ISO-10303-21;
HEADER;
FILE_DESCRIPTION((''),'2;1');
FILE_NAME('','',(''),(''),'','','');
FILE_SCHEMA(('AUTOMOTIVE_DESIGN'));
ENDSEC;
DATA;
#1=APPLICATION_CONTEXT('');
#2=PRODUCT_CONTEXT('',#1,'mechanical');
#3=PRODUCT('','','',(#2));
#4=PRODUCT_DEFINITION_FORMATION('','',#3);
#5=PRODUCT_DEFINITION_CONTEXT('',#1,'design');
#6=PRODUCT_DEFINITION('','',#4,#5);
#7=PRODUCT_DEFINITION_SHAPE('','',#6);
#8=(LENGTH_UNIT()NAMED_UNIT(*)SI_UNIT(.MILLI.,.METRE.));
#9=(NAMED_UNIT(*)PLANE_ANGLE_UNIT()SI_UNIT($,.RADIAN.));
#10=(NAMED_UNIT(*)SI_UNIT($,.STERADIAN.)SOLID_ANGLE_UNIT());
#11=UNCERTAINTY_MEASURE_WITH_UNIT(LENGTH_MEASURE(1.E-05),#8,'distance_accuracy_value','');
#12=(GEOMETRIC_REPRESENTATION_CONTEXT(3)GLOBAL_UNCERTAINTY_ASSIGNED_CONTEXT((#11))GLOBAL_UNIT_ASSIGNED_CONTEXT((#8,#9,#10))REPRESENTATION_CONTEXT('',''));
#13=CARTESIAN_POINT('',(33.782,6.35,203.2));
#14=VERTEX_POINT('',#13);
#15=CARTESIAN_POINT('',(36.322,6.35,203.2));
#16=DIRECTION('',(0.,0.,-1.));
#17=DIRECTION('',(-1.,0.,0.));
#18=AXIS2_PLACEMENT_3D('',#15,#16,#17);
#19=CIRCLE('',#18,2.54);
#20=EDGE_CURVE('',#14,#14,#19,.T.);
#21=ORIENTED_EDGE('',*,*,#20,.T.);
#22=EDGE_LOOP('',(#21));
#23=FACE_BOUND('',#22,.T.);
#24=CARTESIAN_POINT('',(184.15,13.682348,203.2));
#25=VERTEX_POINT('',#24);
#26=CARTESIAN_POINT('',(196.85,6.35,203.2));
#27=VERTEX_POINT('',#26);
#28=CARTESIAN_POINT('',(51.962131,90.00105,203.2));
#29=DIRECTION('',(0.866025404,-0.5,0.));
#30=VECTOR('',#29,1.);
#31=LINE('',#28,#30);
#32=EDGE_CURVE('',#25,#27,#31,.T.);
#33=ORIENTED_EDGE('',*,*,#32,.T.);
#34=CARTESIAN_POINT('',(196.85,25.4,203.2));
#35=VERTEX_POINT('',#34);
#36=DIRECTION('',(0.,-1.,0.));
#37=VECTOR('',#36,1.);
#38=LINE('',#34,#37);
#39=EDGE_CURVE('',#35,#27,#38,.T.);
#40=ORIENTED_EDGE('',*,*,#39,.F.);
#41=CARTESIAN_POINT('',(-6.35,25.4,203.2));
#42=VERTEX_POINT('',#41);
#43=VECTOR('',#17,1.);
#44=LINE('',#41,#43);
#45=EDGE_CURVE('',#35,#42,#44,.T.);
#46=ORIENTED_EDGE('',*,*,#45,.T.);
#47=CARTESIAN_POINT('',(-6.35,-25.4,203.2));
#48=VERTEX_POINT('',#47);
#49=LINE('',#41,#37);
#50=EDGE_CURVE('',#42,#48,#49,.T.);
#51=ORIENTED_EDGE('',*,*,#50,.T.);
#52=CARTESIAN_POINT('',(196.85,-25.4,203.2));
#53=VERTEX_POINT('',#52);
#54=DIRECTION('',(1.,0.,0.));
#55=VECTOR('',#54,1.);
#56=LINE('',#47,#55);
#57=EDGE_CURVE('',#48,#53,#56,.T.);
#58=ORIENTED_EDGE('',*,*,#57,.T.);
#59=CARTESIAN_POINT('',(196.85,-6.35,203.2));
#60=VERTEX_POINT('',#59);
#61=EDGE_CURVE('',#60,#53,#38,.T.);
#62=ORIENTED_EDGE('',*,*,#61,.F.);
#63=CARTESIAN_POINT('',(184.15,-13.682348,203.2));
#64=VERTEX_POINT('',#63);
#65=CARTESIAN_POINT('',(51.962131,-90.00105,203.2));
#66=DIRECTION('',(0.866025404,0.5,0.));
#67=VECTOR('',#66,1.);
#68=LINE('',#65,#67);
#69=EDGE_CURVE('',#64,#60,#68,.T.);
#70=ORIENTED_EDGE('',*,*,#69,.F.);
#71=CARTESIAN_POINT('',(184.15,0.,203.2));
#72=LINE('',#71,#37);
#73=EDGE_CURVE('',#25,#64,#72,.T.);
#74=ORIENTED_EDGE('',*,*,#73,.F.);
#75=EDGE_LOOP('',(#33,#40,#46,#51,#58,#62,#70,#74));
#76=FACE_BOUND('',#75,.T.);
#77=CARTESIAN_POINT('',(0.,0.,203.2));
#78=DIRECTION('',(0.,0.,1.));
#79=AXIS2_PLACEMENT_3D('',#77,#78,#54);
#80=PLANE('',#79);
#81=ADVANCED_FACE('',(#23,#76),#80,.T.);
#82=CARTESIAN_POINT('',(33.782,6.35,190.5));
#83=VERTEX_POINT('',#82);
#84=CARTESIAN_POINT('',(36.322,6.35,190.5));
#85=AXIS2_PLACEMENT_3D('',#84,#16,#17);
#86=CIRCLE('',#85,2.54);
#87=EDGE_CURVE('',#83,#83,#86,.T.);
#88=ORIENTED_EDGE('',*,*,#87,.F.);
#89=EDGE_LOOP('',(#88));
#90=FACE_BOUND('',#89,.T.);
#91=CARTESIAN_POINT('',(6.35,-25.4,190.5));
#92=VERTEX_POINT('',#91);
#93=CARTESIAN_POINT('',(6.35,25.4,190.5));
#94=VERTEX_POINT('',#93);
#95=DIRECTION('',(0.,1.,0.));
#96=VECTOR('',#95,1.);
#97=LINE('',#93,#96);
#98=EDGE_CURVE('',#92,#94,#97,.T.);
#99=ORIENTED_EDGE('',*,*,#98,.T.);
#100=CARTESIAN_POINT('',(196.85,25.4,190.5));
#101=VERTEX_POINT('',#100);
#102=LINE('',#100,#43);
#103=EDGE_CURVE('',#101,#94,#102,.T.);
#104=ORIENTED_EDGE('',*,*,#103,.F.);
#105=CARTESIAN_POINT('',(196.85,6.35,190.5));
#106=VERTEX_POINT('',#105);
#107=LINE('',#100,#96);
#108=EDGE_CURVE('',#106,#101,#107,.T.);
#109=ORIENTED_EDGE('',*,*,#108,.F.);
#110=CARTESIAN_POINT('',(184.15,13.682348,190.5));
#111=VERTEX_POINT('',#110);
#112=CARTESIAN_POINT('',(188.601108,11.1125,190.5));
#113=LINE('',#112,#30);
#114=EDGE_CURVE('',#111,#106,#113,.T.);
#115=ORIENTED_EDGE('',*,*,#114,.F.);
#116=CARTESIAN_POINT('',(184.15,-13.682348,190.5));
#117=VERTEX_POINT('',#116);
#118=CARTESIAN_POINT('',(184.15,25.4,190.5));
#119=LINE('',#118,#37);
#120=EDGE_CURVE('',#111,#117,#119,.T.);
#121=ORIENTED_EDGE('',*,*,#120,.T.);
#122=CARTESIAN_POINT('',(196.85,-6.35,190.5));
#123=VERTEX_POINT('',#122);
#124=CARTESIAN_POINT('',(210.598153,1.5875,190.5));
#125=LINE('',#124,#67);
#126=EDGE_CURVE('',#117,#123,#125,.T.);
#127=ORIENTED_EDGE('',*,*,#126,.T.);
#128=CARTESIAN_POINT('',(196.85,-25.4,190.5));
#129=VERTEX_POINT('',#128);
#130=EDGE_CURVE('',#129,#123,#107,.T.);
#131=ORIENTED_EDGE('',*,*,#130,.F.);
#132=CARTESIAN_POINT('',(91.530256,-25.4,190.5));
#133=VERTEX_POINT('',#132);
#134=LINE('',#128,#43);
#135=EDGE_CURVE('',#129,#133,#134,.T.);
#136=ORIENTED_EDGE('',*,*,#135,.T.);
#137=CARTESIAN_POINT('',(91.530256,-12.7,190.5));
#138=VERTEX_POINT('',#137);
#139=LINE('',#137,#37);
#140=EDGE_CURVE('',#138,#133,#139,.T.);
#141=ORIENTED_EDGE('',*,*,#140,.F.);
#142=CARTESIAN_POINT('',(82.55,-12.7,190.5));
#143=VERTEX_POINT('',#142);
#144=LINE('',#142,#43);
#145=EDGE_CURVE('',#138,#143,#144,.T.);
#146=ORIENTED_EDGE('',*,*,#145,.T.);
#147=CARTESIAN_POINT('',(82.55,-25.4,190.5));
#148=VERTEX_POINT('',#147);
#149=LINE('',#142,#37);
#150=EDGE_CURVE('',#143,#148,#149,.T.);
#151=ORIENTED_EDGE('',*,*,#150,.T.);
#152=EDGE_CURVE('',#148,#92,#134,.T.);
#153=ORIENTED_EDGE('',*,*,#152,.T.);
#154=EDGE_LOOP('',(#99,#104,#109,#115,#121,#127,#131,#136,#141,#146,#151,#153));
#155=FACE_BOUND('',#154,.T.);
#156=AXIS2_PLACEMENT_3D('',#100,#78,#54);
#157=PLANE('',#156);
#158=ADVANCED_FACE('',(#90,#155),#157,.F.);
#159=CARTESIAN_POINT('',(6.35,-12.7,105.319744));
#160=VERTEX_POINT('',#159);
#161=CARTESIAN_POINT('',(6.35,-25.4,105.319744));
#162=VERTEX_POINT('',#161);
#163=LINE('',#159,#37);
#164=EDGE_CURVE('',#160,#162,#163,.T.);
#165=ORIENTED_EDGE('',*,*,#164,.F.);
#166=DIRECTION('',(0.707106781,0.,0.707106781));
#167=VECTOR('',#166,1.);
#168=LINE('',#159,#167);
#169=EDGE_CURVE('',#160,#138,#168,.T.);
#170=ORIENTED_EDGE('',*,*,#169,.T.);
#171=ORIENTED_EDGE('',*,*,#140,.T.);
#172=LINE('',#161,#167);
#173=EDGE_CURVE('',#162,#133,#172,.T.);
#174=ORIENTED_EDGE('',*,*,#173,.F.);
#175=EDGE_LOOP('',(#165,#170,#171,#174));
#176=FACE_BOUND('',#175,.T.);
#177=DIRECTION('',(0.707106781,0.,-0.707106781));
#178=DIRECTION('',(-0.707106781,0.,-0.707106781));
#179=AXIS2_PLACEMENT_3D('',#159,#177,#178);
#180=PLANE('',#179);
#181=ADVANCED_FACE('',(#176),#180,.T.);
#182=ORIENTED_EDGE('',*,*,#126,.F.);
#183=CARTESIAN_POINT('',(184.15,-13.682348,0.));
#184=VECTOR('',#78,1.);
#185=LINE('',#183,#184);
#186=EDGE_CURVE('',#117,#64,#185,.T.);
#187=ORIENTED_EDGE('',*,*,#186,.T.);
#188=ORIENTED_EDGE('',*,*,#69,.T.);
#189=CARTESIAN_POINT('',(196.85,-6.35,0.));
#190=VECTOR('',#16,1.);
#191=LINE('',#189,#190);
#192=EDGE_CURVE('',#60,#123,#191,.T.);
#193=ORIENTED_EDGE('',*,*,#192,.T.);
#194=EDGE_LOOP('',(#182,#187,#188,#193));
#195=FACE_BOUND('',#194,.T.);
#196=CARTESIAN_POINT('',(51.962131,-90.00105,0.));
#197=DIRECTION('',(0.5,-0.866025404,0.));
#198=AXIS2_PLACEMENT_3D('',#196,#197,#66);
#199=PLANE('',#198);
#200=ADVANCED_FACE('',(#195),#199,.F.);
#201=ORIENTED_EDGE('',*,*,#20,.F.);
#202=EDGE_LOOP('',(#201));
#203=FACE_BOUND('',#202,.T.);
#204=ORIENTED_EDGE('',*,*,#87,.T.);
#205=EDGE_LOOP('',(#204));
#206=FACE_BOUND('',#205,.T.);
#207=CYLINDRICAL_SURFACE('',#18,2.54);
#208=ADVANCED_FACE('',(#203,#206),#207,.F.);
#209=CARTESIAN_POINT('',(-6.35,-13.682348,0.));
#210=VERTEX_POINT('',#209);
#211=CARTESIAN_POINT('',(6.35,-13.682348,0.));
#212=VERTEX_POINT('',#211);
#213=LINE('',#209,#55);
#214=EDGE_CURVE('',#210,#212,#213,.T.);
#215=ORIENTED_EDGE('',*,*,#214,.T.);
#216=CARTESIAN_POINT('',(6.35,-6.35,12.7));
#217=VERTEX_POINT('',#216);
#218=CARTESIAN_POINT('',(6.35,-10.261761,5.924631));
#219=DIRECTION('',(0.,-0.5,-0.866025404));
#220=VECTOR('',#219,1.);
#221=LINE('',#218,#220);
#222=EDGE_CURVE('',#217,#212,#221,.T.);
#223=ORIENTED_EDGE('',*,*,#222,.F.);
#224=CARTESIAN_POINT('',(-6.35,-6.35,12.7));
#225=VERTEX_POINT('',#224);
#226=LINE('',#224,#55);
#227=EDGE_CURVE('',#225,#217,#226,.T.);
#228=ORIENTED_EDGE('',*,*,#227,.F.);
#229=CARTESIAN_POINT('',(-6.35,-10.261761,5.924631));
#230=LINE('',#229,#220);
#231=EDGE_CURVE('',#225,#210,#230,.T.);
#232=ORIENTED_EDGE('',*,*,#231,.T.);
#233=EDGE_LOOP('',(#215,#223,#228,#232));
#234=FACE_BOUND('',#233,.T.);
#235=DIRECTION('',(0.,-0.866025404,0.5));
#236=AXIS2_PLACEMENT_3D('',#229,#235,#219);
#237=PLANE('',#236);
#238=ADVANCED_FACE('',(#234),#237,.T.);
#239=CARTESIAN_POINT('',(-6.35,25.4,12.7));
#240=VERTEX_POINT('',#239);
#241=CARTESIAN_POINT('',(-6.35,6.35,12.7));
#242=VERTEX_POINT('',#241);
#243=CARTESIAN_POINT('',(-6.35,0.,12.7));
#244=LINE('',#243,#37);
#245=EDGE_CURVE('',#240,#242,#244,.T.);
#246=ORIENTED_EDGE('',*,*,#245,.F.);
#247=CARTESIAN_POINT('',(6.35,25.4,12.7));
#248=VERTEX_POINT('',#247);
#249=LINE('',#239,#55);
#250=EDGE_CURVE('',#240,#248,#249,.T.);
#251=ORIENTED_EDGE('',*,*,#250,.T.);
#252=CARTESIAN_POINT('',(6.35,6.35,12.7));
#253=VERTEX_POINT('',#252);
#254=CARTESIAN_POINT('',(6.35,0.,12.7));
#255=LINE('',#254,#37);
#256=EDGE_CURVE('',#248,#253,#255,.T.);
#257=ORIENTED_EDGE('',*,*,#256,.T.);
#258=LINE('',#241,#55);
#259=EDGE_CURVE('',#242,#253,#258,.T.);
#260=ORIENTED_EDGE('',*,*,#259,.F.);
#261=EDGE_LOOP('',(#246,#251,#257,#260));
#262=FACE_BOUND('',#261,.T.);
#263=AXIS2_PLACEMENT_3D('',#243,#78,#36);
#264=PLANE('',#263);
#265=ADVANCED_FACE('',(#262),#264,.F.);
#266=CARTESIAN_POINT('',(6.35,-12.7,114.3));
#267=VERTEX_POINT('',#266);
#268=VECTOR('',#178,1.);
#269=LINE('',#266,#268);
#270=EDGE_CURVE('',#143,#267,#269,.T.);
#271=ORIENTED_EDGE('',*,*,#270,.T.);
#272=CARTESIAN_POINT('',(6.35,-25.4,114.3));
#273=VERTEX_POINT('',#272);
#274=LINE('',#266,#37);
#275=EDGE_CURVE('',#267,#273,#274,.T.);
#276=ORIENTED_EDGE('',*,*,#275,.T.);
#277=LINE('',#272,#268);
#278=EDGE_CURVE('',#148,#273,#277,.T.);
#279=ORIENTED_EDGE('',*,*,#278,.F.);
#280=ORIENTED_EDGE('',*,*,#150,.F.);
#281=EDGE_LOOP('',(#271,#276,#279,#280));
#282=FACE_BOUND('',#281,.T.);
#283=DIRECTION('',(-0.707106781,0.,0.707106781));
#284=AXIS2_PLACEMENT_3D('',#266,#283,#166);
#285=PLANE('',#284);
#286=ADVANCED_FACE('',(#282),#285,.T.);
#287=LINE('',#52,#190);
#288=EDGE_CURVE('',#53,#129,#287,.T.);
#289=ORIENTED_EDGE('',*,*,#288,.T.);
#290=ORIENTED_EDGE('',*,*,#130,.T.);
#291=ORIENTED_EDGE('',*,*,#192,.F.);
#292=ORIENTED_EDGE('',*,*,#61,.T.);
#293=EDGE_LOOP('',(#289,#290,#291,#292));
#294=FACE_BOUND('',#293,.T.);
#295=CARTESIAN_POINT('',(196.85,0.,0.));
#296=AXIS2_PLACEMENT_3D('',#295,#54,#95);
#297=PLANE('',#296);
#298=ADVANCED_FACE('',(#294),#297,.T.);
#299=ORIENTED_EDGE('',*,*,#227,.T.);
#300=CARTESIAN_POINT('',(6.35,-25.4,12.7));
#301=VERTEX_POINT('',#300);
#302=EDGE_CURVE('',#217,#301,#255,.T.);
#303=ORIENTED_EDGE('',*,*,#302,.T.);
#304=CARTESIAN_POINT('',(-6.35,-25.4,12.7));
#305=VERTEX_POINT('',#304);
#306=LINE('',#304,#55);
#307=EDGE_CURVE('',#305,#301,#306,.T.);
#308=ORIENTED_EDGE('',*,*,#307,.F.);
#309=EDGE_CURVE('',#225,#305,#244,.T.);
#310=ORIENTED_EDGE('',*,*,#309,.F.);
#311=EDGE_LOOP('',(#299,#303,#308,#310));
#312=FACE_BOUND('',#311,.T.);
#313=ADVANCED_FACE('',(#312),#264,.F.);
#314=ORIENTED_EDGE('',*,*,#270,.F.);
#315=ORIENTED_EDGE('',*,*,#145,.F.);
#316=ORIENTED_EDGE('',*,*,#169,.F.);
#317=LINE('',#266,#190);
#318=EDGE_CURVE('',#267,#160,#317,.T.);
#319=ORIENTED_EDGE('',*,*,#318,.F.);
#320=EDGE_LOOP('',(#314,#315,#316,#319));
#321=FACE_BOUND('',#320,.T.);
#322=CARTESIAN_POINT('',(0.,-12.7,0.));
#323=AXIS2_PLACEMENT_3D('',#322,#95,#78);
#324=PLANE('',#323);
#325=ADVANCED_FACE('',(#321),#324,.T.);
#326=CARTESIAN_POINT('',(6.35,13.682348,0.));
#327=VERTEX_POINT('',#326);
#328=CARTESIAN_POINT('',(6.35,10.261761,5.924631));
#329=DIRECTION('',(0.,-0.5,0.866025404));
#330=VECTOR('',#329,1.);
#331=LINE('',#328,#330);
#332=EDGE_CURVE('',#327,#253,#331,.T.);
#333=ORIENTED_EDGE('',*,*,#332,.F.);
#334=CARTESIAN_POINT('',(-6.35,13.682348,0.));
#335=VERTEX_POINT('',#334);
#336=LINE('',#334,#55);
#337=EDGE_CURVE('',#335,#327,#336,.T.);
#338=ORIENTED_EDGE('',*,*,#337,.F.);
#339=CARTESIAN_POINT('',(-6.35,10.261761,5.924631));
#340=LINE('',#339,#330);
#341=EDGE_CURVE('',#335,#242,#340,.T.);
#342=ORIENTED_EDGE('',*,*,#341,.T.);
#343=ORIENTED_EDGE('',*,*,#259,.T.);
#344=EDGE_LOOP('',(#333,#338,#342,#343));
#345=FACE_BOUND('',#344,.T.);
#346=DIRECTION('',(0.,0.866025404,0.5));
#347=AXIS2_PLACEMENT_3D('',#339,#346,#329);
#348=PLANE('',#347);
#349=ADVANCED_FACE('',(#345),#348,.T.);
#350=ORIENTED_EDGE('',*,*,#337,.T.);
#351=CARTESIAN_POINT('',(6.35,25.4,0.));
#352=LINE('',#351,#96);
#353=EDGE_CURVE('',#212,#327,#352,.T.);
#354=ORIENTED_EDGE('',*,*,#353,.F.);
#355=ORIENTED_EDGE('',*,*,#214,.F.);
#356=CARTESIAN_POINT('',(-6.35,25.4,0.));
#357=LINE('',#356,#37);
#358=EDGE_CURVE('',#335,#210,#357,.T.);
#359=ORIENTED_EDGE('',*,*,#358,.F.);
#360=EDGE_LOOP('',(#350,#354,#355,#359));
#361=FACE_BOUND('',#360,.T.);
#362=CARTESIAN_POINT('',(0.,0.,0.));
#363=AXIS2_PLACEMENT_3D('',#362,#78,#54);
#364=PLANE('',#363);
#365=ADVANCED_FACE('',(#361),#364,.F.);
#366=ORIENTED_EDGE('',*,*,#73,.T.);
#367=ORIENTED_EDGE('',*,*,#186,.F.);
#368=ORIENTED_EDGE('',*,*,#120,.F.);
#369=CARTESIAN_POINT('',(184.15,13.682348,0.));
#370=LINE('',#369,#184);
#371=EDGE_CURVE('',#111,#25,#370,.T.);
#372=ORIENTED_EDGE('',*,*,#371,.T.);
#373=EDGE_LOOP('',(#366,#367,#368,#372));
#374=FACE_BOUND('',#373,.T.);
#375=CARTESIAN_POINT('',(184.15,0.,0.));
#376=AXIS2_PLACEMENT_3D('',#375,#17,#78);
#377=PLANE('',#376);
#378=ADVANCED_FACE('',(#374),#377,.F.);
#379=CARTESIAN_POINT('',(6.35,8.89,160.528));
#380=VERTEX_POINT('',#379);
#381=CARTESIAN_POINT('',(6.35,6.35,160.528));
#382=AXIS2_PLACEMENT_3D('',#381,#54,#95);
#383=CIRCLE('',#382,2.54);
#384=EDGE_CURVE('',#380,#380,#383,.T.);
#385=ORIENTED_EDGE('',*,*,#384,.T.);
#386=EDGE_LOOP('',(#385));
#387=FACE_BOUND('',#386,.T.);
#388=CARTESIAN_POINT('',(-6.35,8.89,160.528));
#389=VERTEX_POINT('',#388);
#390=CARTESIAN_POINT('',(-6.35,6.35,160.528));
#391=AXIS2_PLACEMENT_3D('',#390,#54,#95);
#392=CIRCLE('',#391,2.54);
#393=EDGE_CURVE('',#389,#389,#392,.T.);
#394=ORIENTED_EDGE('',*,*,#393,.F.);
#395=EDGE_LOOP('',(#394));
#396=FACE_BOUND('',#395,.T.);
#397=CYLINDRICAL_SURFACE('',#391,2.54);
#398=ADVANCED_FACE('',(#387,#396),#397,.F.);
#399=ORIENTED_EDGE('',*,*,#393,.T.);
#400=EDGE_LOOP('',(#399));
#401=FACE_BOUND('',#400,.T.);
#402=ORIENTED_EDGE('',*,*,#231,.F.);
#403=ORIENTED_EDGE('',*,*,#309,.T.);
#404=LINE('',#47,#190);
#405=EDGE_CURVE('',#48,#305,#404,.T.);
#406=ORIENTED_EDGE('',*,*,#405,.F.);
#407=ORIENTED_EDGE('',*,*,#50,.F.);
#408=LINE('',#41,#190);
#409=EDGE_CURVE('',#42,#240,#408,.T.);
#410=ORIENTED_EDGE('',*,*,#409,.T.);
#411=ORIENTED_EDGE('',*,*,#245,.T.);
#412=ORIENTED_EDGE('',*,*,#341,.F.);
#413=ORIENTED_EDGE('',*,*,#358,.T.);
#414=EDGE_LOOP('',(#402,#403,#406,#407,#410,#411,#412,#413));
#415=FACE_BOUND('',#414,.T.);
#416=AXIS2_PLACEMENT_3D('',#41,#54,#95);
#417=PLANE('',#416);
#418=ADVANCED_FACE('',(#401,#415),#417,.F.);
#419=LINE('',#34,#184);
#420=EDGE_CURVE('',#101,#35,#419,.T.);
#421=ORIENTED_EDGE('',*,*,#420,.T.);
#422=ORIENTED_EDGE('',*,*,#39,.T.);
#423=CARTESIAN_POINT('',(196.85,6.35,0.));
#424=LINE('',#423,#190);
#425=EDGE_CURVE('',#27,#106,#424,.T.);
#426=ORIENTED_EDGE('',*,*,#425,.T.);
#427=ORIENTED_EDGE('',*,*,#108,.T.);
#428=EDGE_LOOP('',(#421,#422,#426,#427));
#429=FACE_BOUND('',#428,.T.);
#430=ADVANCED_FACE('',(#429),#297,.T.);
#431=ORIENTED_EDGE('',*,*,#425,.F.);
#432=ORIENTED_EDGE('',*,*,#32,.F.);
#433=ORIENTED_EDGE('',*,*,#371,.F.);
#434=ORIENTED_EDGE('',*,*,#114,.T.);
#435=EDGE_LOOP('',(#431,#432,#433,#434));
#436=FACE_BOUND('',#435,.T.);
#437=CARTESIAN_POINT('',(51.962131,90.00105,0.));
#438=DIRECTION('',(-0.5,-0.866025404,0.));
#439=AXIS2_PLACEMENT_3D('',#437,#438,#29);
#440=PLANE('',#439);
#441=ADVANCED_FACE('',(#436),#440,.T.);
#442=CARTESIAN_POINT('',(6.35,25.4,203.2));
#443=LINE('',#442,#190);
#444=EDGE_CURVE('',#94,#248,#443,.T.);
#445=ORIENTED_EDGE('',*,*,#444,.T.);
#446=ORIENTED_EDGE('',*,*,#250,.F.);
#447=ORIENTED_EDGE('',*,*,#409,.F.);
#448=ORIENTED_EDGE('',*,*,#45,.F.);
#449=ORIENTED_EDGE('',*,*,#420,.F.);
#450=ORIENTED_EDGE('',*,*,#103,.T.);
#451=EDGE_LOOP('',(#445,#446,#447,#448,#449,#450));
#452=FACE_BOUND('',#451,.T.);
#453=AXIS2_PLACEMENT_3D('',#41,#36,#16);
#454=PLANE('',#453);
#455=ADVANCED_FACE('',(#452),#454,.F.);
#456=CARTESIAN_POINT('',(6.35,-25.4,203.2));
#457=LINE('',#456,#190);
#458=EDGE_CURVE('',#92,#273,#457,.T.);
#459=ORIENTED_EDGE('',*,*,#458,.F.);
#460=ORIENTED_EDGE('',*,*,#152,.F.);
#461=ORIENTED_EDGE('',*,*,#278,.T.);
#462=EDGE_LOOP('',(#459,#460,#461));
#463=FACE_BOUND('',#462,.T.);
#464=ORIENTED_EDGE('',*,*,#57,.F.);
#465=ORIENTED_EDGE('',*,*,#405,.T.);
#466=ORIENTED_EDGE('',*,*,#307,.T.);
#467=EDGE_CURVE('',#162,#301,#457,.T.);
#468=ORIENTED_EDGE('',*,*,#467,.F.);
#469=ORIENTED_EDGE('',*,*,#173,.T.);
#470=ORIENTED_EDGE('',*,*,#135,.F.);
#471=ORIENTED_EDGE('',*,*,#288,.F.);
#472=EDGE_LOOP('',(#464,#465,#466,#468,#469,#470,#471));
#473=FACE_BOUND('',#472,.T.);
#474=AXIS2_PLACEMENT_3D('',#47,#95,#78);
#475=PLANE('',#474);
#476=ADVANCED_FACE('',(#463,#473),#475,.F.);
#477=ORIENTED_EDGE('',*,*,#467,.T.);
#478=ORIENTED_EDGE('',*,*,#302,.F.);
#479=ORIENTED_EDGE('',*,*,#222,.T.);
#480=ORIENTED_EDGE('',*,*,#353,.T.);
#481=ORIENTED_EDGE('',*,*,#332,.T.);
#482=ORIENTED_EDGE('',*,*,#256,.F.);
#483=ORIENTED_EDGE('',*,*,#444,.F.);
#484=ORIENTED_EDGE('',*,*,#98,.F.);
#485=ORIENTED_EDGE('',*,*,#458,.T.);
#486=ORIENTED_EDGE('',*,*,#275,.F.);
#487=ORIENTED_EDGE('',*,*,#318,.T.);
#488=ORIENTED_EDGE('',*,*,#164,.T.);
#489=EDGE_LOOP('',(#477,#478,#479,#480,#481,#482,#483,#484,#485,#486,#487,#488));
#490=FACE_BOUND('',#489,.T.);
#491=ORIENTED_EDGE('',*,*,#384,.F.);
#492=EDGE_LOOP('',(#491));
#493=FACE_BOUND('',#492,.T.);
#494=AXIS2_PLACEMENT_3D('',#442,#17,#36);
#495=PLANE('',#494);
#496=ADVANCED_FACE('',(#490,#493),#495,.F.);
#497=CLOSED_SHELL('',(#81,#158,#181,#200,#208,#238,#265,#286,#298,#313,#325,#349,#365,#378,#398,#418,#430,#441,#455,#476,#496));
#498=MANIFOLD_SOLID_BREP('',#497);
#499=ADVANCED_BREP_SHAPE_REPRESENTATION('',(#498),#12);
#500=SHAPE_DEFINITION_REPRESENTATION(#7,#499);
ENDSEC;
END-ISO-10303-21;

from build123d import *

# Parameters (mm, degrees)
SKETCH1_W           = 12.7
SKETCH1_H           = 50.8
BOSS_EXTRUDE1_DEPTH = 203.2
SKETCH2_W           = 12.7
SKETCH2_H           = 50.8
BOSS_EXTRUDE2_DEPTH = 190.5
BOSS_EXTRUDE5_DEPTH = 12.7
CUT_EXTRUDE2_DEPTH  = 285.051619429
CUT_EXTRUDE3_DEPTH  = 280.688487428
SKETCH9_R           = 2.54
CUT_EXTRUDE4_DEPTH  = 276.109673585
SKETCH10_R          = 2.54
CUT_EXTRUDE5_DEPTH  = 280.688487428


with BuildPart() as part:
    # Sketch1 → Boss-Extrude1 (new body)
    with BuildSketch(Plane.XY):
        Rectangle(SKETCH1_W, SKETCH1_H)
    extrude(amount=BOSS_EXTRUDE1_DEPTH)

    # Sketch2 → Boss-Extrude2 (add)
    with BuildSketch(Plane(origin=(6.35, 0, 0), x_dir=(0, 0, -1), z_dir=(1, 0, 0))):
        with Locations((-196.85, 0)):
            Rectangle(SKETCH2_W, SKETCH2_H)
    extrude(amount=BOSS_EXTRUDE2_DEPTH)

    # Sketch6 → Boss-Extrude5 (add)
    with BuildSketch(Plane.XZ.offset(25.4)):
        Polygon((6.35, 114.3), (6.35, 105.319743879), (91.530256121, 190.5), (82.55, 190.5), align=None)
    extrude(amount=-BOSS_EXTRUDE5_DEPTH)

    # Sketch7 → Cut-Extrude2 (cut, through all)
    with BuildSketch(Plane.XY.offset(203.2)):
        Polygon((196.85, 3.666174209), (196.85, 6.35), (184.15, 13.682348419), (184.15, 0), (196.85, 0), align=None)
        Polygon((196.85, 0), (184.15, 0), (184.15, -3.666174209), (184.15, -13.682348419), (196.85, -6.35), align=None)
    extrude(amount=-CUT_EXTRUDE2_DEPTH, mode=Mode.SUBTRACT)

    # Sketch8 → Cut-Extrude3 (cut, through all)
    with BuildSketch(Plane(origin=(6.35, 0, 0), x_dir=(0, 0, -1), z_dir=(1, 0, 0))):
        Polygon((-12.7, 6.35), (0, 13.682348419), (0, 25.4), (-12.7, 25.4), align=None)
        Polygon((0, -25.4), (0, -13.682348419), (-12.7, -6.35), (-12.7, -25.4), align=None)
    extrude(amount=-CUT_EXTRUDE3_DEPTH, mode=Mode.SUBTRACT)

    # Sketch9 → Cut-Extrude4 (cut, through all)
    with BuildSketch(Plane(origin=(0, 0, 190.5), x_dir=(-1, 0, 0), z_dir=(0, 0, -1))):
        with Locations((-36.322, 6.35)):
            Circle(SKETCH9_R)
    extrude(amount=-CUT_EXTRUDE4_DEPTH, mode=Mode.SUBTRACT)

    # Sketch10 → Cut-Extrude5 (cut, through all)
    with BuildSketch(Plane(origin=(6.35, 0, 0), x_dir=(0, 0, -1), z_dir=(1, 0, 0))):
        with Locations(Location((-160.528, 6.35, 0), (0, 0, 90))):
            Circle(SKETCH10_R)
    extrude(amount=-CUT_EXTRUDE5_DEPTH, mode=Mode.SUBTRACT)


solid = part.part
